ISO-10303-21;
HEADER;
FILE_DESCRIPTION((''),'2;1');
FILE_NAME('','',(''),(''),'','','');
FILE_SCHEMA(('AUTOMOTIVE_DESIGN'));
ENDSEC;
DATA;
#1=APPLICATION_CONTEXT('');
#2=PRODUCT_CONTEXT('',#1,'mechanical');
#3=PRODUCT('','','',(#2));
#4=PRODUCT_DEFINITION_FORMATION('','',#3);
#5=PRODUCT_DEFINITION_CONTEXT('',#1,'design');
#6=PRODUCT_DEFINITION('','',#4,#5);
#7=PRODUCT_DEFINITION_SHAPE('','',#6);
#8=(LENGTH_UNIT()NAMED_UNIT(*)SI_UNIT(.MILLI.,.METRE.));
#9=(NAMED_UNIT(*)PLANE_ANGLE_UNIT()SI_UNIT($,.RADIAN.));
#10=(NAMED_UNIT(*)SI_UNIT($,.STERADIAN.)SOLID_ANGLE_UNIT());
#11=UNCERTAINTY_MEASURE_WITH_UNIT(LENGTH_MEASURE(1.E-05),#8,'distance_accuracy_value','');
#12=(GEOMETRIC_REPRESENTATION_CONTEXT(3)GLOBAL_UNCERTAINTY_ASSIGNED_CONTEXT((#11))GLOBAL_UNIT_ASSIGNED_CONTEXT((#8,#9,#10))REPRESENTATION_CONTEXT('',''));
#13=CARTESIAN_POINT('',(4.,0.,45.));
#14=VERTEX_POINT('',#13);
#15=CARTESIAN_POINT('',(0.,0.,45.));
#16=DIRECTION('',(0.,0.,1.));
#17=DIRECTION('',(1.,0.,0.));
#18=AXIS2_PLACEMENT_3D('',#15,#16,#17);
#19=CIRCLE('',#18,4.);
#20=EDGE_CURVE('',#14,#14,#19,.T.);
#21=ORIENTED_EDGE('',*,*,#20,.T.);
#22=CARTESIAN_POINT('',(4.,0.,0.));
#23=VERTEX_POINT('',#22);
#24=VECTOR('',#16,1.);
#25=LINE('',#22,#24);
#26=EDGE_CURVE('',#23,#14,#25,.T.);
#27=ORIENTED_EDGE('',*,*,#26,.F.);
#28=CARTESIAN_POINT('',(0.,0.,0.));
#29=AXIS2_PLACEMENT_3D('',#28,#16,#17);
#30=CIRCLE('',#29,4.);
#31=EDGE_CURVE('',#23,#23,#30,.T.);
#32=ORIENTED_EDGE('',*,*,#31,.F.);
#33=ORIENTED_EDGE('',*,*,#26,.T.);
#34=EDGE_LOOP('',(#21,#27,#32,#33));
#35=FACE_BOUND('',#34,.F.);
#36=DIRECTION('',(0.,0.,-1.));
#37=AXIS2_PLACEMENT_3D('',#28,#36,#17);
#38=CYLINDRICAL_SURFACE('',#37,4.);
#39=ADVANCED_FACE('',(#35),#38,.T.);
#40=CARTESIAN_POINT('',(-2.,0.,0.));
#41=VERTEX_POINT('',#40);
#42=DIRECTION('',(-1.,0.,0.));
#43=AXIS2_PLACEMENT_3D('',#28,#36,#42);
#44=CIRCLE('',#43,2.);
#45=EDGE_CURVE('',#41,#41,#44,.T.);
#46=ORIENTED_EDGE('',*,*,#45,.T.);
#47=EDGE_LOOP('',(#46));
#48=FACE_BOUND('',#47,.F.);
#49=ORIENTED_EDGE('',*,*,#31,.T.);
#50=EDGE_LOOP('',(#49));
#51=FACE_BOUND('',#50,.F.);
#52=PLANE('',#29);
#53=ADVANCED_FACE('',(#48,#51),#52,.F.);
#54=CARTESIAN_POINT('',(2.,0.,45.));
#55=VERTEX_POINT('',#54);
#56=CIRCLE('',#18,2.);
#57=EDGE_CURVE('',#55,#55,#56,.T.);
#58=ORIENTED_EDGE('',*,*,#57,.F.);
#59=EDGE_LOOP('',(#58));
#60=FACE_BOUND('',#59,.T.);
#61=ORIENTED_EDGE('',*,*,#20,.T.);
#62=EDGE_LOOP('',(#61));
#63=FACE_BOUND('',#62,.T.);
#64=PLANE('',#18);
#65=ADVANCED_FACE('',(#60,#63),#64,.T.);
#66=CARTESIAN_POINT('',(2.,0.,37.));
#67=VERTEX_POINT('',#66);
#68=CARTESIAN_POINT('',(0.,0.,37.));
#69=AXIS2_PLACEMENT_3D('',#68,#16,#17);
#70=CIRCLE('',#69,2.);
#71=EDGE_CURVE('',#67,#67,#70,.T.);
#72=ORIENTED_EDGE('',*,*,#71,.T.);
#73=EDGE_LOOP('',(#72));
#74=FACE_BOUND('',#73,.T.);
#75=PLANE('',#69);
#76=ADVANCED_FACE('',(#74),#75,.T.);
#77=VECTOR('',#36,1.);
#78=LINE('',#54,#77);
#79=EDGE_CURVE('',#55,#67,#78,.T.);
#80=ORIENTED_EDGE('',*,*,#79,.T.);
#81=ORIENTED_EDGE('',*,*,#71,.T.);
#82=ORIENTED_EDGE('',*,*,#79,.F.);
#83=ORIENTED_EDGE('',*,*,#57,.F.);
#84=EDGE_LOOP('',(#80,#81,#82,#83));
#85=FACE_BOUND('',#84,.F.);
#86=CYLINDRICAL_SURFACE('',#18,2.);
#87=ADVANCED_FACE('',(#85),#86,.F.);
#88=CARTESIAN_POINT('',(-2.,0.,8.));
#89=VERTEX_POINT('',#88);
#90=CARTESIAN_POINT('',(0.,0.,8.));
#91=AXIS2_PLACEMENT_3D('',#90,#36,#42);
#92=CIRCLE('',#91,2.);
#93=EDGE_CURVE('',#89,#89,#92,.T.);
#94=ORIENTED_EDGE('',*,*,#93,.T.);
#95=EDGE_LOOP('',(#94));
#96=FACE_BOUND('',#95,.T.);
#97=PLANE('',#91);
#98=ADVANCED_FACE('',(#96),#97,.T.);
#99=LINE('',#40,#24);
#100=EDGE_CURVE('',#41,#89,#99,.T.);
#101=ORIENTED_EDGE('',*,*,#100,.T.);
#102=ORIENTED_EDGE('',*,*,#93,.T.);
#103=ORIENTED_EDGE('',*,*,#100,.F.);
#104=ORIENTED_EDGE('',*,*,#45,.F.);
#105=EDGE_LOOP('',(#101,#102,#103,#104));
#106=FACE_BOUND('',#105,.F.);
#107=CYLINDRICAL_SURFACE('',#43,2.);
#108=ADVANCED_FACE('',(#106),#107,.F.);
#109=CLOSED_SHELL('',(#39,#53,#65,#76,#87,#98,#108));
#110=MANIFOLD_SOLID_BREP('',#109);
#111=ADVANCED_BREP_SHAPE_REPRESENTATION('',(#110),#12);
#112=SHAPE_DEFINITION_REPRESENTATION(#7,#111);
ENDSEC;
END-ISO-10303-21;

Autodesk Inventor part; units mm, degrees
ref_plane "YZ Plane" through (0, 0, 0) normal (1, 0, 0) x (0, 1, 0)
ref_plane "XZ Plane" through (0, 0, 0) normal (0, 1, 0) x (-1, 0, 0)
ref_plane "XY Plane" through (0, 0, 0) normal (0, 0, 1) x (1, 0, 0)
sketch "スケッチ1" plane through (0, 0, 0) normal (0, 0, 1) x (1, 0, 0)
  circle A0 centre (0, 0) radius 4
  circle A1 centre (0, 0) radius 2
  dimension "d0" = 8
  dimension "d1" = 4
extrude "押し出し1" add sketch "スケッチ1" along normal blind 45 contours A0 | A1
sketch "スケッチ2" plane through (0, 0, 45) normal (0, 0, 1) x (1, 0, 0)
  circle A0 centre (0, 0) radius 2
  dimension "d4" = 4
extrude "押し出し2" cut sketch "スケッチ2" against normal blind 8
sketch "スケッチ3" plane through (0, 0, 0) normal (0, 0, -1) x (-1, 0, 0)
  circle A0 centre (0, 0) radius 2
  dimension "d7" = 4
extrude "押し出し3" cut sketch "スケッチ3" against normal blind 8
properties part number "スペーサーm4,45" material "アルミニウム 7075"
